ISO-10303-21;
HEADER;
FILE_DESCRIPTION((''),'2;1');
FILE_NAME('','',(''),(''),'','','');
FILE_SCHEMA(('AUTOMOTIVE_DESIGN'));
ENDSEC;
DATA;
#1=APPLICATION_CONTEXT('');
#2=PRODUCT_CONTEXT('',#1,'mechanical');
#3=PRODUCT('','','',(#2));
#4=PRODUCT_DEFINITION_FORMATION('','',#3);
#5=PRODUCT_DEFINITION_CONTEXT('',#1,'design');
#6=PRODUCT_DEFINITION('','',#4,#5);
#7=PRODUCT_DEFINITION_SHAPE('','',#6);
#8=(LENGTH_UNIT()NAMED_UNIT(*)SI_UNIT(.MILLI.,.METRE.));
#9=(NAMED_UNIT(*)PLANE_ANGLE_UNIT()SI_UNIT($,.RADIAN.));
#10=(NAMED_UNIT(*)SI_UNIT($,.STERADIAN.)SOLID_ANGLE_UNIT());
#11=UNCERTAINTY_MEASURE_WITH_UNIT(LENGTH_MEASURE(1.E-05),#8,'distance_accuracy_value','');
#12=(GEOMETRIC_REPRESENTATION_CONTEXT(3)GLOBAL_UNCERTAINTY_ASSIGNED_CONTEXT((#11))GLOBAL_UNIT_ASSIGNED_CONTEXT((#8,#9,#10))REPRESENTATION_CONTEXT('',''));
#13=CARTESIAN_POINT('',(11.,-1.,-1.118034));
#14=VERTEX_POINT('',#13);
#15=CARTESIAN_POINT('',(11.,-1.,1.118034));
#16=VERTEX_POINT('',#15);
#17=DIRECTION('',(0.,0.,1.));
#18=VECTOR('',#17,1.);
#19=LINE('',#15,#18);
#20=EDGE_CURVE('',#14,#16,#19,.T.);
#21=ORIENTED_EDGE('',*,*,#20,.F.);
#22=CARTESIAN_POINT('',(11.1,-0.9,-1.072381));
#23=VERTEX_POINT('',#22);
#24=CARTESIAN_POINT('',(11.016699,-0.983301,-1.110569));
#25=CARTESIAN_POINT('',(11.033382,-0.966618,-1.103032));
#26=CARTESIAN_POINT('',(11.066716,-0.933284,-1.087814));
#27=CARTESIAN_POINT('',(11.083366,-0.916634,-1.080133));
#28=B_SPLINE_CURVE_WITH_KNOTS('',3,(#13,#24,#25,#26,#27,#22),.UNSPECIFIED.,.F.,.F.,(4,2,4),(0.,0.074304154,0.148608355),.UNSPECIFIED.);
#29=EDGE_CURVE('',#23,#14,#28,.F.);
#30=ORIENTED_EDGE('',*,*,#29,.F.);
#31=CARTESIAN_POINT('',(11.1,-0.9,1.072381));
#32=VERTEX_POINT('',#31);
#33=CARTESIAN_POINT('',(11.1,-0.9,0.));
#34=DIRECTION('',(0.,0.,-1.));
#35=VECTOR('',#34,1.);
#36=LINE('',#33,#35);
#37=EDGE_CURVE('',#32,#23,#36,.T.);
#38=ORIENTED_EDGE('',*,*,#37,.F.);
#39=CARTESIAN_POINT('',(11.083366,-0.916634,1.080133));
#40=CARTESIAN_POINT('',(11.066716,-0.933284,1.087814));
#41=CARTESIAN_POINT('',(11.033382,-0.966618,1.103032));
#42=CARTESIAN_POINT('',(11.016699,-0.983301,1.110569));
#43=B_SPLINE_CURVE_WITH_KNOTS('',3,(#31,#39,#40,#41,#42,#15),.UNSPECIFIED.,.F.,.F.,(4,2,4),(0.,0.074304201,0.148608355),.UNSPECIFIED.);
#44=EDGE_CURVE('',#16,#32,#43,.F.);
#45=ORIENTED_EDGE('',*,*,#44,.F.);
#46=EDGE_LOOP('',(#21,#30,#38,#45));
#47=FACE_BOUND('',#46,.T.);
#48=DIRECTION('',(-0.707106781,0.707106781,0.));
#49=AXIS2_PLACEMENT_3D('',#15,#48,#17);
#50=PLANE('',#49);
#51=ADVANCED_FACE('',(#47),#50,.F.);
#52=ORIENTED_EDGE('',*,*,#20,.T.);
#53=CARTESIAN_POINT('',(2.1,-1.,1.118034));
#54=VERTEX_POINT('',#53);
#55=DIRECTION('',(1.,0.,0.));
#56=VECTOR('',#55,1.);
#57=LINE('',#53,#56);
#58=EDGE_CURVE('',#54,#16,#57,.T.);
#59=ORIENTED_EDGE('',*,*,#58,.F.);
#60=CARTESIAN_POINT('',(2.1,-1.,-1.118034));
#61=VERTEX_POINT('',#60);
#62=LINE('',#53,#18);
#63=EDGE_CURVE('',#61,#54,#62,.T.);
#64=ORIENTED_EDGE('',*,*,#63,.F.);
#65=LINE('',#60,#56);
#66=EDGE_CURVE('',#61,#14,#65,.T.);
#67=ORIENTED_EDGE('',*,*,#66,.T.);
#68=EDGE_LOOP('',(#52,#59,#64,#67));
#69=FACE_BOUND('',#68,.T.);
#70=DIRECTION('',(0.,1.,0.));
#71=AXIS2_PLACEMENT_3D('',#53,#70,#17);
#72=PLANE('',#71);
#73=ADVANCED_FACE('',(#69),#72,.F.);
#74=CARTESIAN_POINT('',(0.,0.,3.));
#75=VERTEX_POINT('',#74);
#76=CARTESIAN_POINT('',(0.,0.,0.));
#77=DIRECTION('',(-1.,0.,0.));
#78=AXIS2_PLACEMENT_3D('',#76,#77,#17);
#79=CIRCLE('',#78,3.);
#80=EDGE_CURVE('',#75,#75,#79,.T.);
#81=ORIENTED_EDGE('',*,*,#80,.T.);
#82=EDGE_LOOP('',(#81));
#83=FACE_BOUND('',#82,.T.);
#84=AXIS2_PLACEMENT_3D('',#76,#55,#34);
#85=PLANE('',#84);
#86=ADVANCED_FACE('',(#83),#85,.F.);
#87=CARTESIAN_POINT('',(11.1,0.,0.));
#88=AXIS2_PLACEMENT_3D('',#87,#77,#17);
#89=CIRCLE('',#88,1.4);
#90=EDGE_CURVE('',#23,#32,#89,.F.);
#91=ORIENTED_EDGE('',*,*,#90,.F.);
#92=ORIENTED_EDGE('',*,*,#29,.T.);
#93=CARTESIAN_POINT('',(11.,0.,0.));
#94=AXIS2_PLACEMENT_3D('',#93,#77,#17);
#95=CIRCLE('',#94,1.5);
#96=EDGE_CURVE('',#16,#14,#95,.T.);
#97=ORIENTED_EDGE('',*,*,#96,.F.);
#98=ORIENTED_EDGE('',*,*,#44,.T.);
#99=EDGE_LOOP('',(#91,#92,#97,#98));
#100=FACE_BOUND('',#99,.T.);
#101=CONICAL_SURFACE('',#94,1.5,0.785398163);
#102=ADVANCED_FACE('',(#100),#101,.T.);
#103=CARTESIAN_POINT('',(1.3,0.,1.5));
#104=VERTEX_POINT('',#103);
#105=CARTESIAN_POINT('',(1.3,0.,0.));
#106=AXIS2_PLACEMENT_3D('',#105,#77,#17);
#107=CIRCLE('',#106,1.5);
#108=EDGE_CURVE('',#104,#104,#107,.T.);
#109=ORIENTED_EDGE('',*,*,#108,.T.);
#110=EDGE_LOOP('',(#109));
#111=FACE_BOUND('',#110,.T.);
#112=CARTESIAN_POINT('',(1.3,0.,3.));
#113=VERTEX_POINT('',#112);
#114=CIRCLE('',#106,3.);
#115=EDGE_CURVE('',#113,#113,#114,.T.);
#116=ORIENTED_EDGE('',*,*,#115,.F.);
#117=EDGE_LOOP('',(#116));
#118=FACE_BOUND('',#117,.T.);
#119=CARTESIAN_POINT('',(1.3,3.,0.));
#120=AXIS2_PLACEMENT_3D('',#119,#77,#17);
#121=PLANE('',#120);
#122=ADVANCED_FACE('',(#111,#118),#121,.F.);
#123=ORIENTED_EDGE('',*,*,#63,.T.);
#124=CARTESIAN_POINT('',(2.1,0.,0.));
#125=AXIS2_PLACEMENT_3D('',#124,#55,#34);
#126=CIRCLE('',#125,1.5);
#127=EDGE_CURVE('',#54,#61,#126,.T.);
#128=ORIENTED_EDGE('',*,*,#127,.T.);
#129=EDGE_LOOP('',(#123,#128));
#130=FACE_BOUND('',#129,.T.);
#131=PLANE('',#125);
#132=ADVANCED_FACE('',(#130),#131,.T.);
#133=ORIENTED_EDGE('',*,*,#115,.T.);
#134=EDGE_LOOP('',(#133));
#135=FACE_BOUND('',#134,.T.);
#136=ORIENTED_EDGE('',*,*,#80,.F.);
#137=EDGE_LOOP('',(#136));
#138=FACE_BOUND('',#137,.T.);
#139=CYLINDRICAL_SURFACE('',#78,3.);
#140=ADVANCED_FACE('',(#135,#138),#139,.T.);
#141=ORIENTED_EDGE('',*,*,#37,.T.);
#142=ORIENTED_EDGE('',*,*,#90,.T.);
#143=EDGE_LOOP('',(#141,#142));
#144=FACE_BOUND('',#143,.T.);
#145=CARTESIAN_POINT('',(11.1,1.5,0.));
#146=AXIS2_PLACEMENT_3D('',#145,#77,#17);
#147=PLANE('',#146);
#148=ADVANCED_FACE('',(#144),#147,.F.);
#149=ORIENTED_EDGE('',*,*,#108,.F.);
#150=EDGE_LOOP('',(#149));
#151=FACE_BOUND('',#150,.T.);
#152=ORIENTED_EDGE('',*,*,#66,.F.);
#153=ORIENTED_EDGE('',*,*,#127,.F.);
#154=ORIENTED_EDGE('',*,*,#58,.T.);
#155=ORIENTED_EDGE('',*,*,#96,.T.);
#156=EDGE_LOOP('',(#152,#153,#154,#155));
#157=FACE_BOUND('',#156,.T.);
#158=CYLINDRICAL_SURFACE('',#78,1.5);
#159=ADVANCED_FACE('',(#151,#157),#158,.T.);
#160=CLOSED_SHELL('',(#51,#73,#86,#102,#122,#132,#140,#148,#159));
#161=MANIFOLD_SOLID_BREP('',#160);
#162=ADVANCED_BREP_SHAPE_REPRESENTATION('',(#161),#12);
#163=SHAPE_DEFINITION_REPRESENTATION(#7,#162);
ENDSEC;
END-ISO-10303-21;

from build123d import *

# Parameters (mm, degrees)
SKIZZE2_W                       = 2.236067978
SKIZZE2_H                       = 0.5
SCHNITT_LINEAR_AUSTRAGEN1_DEPTH = 9
FASE1_SIZE                      = 0.1


with BuildPart() as part:
    # Skizze1 → Rotation1 (revolve)
    with BuildSketch(Plane.XY, mode=Mode.PRIVATE) as rotation1_sk:
        Polygon((0, 0), (0, 3), (1.3, 3), (1.3, 1.5), (11.1, 1.5), (11.1, 0), align=None)
    revolve(rotation1_sk.sketch.rotate(Axis((0, 0, 0), (1, 0, 0)), 90), axis=Axis((0, 0, 0), (1, 0, 0)))

    # Skizze2 → Schnitt-Linear austragen1 (cut)
    with BuildSketch(Plane(origin=(11.1, 0, 0), x_dir=(0, 0, -1), z_dir=(1, 0, 0))):
        with Locations((0, -1.25)):
            Rectangle(SKIZZE2_W, SKIZZE2_H)
    extrude(amount=-SCHNITT_LINEAR_AUSTRAGEN1_DEPTH, mode=Mode.SUBTRACT)

    # Fase1
    fase1_edges = [part.edges().sort_by_distance(p)[0] for p in [
        (11.1, 1.401258538, -0.535233135),
        (11.1, -1, 0),
    ]]
    chamfer(fase1_edges, length=FASE1_SIZE)


solid = part.part
